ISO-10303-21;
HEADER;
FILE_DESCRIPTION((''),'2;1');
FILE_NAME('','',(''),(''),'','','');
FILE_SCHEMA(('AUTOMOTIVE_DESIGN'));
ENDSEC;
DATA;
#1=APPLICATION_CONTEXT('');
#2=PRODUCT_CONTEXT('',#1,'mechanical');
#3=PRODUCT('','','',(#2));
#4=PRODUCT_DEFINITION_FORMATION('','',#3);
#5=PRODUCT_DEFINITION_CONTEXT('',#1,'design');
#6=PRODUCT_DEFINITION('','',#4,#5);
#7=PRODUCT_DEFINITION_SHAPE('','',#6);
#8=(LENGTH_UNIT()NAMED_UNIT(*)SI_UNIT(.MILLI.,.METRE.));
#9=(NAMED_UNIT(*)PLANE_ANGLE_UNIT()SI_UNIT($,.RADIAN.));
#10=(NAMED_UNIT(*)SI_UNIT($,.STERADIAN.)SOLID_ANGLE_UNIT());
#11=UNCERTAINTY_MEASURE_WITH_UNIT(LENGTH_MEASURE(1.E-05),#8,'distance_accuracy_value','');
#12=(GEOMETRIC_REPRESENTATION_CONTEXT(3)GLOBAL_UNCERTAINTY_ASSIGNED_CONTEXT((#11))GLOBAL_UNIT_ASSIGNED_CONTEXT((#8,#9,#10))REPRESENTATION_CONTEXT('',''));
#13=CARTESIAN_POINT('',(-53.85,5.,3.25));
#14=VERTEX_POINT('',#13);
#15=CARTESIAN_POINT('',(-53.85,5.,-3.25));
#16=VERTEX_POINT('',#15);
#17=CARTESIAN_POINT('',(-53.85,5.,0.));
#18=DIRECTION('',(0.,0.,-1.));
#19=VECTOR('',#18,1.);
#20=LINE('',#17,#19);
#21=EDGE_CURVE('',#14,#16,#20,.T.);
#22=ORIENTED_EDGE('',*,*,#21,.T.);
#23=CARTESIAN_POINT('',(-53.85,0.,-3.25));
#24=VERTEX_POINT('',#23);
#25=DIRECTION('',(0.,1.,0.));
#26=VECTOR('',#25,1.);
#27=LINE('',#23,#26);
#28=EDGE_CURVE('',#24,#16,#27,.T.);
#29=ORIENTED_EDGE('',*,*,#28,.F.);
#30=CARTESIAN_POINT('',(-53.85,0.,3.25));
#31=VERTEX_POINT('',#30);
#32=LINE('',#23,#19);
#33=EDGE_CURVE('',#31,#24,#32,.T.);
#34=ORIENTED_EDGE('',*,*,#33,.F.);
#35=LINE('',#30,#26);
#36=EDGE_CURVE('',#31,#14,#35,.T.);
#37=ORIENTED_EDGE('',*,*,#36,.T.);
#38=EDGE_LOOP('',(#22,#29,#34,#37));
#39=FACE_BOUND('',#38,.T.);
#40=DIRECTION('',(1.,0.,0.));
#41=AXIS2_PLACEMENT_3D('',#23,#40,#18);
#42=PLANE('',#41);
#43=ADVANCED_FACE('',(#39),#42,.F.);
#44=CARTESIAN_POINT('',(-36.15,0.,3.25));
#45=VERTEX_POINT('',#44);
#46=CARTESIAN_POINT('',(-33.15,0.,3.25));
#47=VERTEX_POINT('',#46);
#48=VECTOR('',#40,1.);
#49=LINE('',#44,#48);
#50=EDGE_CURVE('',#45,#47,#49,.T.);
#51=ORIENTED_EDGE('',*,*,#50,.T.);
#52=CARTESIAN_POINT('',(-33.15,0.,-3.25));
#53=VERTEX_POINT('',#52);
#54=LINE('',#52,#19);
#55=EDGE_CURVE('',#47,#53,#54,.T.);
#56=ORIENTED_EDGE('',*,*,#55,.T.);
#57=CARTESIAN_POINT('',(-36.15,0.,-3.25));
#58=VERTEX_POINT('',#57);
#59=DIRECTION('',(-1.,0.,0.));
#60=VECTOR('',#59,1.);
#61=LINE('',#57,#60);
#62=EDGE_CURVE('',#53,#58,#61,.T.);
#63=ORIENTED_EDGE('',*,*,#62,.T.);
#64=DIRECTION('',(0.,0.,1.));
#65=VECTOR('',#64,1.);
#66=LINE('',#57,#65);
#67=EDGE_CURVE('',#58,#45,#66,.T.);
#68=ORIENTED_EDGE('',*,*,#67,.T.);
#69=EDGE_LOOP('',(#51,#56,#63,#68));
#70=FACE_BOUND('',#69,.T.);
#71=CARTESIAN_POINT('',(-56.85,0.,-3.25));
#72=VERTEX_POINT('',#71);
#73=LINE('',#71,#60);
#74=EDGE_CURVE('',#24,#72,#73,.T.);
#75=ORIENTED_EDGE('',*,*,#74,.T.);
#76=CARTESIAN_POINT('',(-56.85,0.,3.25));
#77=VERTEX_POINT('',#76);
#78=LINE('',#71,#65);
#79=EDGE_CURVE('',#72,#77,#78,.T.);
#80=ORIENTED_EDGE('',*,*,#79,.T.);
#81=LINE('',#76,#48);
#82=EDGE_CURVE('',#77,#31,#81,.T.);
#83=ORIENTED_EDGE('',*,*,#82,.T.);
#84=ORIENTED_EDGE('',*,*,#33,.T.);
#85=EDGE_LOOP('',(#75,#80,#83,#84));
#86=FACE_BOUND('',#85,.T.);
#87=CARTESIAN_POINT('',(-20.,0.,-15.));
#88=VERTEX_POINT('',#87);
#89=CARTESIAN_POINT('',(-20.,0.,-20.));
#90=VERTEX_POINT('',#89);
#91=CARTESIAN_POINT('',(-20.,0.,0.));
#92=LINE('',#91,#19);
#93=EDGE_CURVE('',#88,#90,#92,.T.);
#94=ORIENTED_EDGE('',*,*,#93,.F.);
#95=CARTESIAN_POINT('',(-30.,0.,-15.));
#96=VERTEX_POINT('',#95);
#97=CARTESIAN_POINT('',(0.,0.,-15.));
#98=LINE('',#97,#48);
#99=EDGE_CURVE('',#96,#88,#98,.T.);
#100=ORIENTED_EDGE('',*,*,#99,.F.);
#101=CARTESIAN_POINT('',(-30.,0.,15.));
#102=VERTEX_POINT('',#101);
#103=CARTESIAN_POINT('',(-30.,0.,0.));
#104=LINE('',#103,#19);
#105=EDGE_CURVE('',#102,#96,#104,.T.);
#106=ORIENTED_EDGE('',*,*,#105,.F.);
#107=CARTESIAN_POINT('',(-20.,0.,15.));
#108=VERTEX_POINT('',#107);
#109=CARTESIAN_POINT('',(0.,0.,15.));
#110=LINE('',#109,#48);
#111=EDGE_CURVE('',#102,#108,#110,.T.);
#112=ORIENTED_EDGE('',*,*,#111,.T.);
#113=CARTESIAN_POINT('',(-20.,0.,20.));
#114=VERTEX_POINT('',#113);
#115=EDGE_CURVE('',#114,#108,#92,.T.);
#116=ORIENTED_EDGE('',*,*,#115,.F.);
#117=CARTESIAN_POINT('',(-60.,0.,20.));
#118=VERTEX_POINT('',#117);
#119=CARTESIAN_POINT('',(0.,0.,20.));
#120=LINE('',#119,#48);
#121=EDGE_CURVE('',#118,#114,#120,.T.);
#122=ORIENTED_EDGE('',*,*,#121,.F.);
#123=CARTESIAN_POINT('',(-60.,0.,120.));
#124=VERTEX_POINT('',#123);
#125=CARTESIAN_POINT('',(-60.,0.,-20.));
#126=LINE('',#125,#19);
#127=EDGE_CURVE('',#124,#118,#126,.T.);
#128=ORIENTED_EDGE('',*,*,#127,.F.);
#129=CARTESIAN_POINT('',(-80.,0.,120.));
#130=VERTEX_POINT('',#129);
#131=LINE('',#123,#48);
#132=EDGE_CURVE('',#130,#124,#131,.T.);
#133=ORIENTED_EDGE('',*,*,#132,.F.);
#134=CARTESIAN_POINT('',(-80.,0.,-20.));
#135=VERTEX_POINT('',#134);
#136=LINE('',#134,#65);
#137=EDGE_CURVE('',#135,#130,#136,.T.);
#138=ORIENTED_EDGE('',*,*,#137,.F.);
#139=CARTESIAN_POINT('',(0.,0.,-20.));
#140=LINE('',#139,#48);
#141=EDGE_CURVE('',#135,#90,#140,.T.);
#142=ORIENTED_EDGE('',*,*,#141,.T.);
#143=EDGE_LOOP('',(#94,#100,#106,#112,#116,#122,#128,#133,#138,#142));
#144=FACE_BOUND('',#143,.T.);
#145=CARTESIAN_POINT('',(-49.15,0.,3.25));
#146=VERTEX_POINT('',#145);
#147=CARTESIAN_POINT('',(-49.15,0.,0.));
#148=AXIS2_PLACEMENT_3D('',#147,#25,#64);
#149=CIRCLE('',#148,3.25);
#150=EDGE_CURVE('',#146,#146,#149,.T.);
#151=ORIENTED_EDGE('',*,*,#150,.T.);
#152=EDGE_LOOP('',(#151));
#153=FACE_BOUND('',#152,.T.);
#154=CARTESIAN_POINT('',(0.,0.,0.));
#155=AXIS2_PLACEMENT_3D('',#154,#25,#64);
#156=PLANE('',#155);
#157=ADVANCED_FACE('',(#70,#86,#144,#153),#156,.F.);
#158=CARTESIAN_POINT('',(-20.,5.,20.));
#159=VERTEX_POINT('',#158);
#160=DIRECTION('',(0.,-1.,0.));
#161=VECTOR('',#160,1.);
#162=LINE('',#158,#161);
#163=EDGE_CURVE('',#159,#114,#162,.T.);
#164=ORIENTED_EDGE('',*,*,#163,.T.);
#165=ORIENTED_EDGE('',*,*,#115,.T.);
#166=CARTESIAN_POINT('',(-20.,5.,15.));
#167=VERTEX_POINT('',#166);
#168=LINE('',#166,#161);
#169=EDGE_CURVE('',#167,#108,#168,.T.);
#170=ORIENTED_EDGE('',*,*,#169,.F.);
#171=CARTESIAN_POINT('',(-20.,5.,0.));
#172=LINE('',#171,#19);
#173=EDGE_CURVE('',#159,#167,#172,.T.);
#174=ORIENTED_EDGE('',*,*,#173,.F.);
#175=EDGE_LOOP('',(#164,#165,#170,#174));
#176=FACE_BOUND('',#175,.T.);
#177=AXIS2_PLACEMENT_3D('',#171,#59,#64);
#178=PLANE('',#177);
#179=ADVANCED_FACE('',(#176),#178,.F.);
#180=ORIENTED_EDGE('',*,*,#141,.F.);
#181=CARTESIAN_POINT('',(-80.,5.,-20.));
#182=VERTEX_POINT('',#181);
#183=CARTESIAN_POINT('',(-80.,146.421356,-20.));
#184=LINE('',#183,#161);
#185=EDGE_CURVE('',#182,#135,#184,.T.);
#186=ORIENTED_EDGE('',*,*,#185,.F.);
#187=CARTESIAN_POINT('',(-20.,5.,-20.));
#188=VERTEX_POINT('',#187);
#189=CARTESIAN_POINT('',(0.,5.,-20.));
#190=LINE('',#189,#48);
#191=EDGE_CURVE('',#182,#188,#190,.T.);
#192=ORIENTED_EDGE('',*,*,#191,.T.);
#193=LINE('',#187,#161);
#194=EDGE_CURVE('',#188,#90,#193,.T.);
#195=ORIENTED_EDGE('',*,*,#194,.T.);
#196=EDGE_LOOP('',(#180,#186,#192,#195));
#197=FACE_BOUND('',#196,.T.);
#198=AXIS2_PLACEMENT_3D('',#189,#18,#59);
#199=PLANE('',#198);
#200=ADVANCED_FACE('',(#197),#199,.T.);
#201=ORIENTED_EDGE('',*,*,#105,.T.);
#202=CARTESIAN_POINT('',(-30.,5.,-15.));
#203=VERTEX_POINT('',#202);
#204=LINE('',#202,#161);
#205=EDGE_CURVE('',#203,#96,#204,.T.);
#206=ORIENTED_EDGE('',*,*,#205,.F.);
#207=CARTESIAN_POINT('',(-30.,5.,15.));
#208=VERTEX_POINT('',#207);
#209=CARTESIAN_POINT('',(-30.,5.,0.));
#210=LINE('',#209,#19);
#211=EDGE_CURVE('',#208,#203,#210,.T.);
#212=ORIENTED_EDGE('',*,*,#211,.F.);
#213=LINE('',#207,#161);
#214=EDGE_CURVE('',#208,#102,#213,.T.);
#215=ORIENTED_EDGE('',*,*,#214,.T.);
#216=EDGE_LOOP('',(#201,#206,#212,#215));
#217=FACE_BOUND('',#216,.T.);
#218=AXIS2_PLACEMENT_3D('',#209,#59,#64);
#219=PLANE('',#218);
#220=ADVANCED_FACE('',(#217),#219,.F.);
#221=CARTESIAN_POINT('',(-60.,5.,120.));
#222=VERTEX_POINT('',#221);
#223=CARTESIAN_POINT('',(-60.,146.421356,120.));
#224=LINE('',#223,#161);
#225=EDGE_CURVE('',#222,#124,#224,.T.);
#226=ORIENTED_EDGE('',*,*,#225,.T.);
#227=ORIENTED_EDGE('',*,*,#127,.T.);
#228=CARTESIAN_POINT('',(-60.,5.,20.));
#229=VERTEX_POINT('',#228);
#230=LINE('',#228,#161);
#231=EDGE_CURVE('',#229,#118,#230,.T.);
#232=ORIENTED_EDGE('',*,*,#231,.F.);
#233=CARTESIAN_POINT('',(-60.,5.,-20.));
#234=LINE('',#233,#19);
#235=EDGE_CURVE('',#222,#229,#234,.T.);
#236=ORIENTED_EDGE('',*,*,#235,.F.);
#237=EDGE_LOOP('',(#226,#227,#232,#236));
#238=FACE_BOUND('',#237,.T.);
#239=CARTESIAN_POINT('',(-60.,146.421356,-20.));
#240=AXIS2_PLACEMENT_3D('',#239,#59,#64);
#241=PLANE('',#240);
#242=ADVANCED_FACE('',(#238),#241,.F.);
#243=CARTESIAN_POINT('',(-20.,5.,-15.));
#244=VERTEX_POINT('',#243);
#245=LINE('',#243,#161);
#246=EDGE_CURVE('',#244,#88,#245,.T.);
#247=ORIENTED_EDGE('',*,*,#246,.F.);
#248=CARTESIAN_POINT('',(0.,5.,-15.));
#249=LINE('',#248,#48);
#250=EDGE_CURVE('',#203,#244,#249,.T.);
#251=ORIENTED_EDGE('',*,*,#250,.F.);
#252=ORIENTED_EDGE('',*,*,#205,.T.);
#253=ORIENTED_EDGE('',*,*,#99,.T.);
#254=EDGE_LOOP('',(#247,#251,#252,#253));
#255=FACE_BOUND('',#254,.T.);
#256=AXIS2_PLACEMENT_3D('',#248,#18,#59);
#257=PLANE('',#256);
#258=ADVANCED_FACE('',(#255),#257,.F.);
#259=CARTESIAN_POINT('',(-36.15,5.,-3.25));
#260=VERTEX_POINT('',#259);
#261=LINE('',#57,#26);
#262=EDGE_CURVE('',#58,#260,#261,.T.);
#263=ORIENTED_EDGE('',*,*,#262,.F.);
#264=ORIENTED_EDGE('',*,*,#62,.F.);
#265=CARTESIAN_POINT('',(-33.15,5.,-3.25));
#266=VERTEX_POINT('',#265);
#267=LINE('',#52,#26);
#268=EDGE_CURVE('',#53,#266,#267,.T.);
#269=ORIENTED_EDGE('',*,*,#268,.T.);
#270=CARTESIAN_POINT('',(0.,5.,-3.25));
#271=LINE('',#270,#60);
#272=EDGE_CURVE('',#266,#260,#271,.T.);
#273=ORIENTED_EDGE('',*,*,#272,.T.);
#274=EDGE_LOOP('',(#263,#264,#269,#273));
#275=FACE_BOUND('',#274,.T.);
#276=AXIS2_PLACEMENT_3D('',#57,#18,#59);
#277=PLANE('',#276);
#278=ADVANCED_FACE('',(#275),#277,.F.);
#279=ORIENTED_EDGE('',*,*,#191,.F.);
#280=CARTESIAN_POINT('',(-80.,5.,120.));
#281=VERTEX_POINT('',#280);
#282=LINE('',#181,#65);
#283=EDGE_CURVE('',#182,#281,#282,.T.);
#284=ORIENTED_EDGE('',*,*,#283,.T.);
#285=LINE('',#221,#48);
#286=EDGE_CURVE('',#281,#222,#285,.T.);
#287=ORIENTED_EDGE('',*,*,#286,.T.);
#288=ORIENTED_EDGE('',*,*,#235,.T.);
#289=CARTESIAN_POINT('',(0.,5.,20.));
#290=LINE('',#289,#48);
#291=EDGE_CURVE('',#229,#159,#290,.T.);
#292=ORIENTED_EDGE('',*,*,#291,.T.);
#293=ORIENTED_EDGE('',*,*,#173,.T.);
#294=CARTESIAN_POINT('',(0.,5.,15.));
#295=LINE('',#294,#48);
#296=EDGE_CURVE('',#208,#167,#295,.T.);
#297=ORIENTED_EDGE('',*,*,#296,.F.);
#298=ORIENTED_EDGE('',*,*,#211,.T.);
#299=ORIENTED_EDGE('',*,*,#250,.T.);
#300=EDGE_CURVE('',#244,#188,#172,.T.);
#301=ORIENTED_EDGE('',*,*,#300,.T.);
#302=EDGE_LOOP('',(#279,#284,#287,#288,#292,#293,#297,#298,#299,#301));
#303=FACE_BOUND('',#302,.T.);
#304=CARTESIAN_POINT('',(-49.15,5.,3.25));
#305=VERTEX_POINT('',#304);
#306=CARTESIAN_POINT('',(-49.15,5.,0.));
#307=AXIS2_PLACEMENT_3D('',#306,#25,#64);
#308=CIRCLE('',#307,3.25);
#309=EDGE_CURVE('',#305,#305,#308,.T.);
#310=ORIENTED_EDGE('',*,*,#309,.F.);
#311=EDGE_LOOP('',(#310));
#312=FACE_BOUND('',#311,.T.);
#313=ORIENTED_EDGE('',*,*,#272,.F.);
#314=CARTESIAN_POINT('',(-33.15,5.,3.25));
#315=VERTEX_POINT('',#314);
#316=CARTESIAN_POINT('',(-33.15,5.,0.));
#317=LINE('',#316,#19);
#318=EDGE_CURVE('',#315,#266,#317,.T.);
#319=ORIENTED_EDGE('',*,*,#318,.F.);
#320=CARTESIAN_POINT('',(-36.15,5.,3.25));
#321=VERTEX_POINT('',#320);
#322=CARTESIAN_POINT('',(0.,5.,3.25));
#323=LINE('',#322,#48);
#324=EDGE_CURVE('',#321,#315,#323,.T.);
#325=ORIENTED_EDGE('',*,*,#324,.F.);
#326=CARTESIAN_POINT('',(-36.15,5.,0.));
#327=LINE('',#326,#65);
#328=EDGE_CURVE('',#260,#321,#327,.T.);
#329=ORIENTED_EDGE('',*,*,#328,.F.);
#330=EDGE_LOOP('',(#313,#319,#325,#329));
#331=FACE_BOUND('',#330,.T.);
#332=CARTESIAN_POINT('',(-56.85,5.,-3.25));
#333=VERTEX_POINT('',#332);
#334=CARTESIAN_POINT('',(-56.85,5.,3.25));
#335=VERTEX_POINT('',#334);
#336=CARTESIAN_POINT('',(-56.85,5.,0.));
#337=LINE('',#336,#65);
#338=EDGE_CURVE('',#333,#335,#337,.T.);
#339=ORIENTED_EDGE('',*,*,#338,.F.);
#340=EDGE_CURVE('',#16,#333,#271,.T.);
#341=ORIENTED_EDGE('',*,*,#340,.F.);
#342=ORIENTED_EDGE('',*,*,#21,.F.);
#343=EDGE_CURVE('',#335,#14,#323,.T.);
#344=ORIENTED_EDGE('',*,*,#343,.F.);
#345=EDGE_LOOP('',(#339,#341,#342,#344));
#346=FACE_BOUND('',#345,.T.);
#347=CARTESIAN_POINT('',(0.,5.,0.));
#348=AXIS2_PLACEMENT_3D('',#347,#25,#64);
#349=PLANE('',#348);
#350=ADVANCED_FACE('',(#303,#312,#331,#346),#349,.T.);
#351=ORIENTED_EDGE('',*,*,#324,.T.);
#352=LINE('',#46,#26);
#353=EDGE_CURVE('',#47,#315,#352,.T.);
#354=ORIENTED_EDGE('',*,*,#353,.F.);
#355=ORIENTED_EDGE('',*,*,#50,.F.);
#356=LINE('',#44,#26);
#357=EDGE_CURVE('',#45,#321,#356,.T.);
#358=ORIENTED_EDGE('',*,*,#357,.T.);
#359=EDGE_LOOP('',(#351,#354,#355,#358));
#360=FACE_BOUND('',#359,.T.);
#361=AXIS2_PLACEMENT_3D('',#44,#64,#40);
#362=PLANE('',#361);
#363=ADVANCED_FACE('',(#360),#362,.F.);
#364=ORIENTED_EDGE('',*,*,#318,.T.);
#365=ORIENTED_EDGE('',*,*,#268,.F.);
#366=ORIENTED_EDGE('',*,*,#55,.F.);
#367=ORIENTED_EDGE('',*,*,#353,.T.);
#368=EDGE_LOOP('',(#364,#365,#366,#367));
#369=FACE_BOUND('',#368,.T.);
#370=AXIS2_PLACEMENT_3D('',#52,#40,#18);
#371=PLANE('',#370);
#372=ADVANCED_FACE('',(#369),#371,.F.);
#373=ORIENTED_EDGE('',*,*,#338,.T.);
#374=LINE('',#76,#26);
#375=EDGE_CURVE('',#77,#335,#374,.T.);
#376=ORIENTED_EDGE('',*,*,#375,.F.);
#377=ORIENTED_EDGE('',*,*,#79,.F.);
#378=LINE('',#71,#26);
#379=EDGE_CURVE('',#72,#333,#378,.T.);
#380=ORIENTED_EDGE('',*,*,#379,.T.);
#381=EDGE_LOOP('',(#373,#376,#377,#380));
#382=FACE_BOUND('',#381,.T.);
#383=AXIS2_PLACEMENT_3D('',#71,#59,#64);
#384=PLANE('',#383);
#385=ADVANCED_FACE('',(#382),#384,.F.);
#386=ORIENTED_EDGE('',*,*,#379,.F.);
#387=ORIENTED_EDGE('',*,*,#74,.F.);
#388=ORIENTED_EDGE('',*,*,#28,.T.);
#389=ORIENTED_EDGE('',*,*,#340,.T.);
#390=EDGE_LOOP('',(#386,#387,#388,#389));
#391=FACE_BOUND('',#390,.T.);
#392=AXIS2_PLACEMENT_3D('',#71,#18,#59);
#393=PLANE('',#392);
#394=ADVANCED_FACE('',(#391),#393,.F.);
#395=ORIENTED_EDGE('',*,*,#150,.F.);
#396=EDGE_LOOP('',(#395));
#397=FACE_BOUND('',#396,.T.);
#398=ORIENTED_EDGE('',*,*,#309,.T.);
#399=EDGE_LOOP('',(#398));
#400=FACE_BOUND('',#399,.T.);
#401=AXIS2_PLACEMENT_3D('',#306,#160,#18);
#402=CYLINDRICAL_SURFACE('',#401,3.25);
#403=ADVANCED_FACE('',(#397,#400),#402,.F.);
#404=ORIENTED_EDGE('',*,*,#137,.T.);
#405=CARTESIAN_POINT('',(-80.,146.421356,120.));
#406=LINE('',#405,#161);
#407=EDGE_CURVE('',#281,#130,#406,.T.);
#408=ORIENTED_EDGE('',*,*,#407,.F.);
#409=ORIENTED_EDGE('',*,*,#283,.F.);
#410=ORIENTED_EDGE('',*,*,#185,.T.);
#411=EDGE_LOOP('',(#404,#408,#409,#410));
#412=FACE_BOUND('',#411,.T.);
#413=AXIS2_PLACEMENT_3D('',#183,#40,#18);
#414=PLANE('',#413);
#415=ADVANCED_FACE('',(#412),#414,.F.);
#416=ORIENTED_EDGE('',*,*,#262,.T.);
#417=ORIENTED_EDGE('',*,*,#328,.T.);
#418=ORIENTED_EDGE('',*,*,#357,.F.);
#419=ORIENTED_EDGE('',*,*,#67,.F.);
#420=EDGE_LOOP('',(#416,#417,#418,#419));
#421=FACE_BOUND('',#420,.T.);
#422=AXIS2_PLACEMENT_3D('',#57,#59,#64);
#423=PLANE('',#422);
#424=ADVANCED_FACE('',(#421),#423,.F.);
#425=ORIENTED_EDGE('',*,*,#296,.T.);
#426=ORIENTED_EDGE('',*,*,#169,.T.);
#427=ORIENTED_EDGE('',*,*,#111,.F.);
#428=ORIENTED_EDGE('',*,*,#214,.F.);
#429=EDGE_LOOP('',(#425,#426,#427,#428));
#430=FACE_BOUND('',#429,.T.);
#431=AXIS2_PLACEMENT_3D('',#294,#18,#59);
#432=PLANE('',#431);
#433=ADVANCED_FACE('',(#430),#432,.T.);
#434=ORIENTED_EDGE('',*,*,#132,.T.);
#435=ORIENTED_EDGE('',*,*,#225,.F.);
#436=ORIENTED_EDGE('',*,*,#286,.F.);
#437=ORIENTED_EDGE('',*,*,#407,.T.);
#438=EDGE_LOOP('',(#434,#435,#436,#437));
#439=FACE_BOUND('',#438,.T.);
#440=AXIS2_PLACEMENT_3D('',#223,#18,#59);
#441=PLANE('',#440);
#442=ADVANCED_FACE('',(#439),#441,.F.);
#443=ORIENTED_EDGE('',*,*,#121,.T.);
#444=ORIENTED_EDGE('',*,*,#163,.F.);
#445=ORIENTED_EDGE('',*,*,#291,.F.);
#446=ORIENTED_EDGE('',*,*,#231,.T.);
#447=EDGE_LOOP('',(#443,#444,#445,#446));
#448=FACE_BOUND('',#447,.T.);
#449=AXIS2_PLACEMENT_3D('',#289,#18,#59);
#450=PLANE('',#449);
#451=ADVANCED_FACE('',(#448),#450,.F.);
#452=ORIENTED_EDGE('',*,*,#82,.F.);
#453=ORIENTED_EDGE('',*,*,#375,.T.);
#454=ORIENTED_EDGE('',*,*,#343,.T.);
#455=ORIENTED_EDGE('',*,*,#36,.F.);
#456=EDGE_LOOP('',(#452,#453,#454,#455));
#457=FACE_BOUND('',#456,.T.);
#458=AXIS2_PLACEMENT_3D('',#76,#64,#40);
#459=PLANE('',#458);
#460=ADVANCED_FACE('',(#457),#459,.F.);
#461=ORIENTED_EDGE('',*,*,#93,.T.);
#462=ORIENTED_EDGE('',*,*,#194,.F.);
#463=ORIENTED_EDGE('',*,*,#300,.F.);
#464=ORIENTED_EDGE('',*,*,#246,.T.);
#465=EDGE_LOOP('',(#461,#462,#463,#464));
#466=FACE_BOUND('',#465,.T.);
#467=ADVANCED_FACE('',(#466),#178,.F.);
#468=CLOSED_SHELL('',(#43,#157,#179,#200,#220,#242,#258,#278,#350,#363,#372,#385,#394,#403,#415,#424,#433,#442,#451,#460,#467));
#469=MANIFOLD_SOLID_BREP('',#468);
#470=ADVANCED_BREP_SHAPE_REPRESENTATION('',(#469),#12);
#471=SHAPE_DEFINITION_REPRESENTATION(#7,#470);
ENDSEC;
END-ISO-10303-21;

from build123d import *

# Parameters (mm, degrees)
SKETCH1_R               = 3.25
BOSS_EXTRUDE1_DEPTH     = 5
SKETCH3_W               = 20
SKETCH3_H               = 140
BOSS_EXTRUDE2_DEPTH     = 5
SKETCH4_W               = 3
SKETCH4_H               = 6.5
CUT_EXTRUDE1_DEPTH      = 1
CUT_EXTRUDE1_DEPTH_BACK = 6


with BuildPart() as part:
    # Sketch1 → Boss-Extrude1 (new body)
    with BuildSketch(Plane(origin=(0, 0, 0), x_dir=(1, 0, 0), z_dir=(0, 1, 0))):
        Polygon((-20, -15), (-30, -15), (-30, 15), (-20, 15), (-20, 20), (-60, 20), (-60, -20), (-20, -20), align=None)
        with Locations((-49.15, 0)):
            Circle(SKETCH1_R, mode=Mode.SUBTRACT)
    extrude(amount=BOSS_EXTRUDE1_DEPTH)

    # Sketch3 → Boss-Extrude2 (add)
    with BuildSketch(Plane(origin=(0, 0, 0), x_dir=(1, 0, 0), z_dir=(0, 1, 0))):
        with Locations((-70, -50)):
            Rectangle(SKETCH3_W, SKETCH3_H)
    extrude(amount=BOSS_EXTRUDE2_DEPTH)

    # Sketch4 → Cut-Extrude1 (cut, two sides)
    with BuildSketch(Plane(origin=(0, 5, 0), x_dir=(1, 0, 0), z_dir=(0, 1, 0))) as cut_extrude1_sk:
        with Locations((-34.65, 0)):
            Rectangle(SKETCH4_W, SKETCH4_H)
        with Locations((-55.35, 0)):
            Rectangle(SKETCH4_W, SKETCH4_H)
    extrude(amount=CUT_EXTRUDE1_DEPTH, mode=Mode.SUBTRACT)
    extrude(cut_extrude1_sk.sketch, amount=-CUT_EXTRUDE1_DEPTH_BACK, mode=Mode.SUBTRACT)


solid = part.part
